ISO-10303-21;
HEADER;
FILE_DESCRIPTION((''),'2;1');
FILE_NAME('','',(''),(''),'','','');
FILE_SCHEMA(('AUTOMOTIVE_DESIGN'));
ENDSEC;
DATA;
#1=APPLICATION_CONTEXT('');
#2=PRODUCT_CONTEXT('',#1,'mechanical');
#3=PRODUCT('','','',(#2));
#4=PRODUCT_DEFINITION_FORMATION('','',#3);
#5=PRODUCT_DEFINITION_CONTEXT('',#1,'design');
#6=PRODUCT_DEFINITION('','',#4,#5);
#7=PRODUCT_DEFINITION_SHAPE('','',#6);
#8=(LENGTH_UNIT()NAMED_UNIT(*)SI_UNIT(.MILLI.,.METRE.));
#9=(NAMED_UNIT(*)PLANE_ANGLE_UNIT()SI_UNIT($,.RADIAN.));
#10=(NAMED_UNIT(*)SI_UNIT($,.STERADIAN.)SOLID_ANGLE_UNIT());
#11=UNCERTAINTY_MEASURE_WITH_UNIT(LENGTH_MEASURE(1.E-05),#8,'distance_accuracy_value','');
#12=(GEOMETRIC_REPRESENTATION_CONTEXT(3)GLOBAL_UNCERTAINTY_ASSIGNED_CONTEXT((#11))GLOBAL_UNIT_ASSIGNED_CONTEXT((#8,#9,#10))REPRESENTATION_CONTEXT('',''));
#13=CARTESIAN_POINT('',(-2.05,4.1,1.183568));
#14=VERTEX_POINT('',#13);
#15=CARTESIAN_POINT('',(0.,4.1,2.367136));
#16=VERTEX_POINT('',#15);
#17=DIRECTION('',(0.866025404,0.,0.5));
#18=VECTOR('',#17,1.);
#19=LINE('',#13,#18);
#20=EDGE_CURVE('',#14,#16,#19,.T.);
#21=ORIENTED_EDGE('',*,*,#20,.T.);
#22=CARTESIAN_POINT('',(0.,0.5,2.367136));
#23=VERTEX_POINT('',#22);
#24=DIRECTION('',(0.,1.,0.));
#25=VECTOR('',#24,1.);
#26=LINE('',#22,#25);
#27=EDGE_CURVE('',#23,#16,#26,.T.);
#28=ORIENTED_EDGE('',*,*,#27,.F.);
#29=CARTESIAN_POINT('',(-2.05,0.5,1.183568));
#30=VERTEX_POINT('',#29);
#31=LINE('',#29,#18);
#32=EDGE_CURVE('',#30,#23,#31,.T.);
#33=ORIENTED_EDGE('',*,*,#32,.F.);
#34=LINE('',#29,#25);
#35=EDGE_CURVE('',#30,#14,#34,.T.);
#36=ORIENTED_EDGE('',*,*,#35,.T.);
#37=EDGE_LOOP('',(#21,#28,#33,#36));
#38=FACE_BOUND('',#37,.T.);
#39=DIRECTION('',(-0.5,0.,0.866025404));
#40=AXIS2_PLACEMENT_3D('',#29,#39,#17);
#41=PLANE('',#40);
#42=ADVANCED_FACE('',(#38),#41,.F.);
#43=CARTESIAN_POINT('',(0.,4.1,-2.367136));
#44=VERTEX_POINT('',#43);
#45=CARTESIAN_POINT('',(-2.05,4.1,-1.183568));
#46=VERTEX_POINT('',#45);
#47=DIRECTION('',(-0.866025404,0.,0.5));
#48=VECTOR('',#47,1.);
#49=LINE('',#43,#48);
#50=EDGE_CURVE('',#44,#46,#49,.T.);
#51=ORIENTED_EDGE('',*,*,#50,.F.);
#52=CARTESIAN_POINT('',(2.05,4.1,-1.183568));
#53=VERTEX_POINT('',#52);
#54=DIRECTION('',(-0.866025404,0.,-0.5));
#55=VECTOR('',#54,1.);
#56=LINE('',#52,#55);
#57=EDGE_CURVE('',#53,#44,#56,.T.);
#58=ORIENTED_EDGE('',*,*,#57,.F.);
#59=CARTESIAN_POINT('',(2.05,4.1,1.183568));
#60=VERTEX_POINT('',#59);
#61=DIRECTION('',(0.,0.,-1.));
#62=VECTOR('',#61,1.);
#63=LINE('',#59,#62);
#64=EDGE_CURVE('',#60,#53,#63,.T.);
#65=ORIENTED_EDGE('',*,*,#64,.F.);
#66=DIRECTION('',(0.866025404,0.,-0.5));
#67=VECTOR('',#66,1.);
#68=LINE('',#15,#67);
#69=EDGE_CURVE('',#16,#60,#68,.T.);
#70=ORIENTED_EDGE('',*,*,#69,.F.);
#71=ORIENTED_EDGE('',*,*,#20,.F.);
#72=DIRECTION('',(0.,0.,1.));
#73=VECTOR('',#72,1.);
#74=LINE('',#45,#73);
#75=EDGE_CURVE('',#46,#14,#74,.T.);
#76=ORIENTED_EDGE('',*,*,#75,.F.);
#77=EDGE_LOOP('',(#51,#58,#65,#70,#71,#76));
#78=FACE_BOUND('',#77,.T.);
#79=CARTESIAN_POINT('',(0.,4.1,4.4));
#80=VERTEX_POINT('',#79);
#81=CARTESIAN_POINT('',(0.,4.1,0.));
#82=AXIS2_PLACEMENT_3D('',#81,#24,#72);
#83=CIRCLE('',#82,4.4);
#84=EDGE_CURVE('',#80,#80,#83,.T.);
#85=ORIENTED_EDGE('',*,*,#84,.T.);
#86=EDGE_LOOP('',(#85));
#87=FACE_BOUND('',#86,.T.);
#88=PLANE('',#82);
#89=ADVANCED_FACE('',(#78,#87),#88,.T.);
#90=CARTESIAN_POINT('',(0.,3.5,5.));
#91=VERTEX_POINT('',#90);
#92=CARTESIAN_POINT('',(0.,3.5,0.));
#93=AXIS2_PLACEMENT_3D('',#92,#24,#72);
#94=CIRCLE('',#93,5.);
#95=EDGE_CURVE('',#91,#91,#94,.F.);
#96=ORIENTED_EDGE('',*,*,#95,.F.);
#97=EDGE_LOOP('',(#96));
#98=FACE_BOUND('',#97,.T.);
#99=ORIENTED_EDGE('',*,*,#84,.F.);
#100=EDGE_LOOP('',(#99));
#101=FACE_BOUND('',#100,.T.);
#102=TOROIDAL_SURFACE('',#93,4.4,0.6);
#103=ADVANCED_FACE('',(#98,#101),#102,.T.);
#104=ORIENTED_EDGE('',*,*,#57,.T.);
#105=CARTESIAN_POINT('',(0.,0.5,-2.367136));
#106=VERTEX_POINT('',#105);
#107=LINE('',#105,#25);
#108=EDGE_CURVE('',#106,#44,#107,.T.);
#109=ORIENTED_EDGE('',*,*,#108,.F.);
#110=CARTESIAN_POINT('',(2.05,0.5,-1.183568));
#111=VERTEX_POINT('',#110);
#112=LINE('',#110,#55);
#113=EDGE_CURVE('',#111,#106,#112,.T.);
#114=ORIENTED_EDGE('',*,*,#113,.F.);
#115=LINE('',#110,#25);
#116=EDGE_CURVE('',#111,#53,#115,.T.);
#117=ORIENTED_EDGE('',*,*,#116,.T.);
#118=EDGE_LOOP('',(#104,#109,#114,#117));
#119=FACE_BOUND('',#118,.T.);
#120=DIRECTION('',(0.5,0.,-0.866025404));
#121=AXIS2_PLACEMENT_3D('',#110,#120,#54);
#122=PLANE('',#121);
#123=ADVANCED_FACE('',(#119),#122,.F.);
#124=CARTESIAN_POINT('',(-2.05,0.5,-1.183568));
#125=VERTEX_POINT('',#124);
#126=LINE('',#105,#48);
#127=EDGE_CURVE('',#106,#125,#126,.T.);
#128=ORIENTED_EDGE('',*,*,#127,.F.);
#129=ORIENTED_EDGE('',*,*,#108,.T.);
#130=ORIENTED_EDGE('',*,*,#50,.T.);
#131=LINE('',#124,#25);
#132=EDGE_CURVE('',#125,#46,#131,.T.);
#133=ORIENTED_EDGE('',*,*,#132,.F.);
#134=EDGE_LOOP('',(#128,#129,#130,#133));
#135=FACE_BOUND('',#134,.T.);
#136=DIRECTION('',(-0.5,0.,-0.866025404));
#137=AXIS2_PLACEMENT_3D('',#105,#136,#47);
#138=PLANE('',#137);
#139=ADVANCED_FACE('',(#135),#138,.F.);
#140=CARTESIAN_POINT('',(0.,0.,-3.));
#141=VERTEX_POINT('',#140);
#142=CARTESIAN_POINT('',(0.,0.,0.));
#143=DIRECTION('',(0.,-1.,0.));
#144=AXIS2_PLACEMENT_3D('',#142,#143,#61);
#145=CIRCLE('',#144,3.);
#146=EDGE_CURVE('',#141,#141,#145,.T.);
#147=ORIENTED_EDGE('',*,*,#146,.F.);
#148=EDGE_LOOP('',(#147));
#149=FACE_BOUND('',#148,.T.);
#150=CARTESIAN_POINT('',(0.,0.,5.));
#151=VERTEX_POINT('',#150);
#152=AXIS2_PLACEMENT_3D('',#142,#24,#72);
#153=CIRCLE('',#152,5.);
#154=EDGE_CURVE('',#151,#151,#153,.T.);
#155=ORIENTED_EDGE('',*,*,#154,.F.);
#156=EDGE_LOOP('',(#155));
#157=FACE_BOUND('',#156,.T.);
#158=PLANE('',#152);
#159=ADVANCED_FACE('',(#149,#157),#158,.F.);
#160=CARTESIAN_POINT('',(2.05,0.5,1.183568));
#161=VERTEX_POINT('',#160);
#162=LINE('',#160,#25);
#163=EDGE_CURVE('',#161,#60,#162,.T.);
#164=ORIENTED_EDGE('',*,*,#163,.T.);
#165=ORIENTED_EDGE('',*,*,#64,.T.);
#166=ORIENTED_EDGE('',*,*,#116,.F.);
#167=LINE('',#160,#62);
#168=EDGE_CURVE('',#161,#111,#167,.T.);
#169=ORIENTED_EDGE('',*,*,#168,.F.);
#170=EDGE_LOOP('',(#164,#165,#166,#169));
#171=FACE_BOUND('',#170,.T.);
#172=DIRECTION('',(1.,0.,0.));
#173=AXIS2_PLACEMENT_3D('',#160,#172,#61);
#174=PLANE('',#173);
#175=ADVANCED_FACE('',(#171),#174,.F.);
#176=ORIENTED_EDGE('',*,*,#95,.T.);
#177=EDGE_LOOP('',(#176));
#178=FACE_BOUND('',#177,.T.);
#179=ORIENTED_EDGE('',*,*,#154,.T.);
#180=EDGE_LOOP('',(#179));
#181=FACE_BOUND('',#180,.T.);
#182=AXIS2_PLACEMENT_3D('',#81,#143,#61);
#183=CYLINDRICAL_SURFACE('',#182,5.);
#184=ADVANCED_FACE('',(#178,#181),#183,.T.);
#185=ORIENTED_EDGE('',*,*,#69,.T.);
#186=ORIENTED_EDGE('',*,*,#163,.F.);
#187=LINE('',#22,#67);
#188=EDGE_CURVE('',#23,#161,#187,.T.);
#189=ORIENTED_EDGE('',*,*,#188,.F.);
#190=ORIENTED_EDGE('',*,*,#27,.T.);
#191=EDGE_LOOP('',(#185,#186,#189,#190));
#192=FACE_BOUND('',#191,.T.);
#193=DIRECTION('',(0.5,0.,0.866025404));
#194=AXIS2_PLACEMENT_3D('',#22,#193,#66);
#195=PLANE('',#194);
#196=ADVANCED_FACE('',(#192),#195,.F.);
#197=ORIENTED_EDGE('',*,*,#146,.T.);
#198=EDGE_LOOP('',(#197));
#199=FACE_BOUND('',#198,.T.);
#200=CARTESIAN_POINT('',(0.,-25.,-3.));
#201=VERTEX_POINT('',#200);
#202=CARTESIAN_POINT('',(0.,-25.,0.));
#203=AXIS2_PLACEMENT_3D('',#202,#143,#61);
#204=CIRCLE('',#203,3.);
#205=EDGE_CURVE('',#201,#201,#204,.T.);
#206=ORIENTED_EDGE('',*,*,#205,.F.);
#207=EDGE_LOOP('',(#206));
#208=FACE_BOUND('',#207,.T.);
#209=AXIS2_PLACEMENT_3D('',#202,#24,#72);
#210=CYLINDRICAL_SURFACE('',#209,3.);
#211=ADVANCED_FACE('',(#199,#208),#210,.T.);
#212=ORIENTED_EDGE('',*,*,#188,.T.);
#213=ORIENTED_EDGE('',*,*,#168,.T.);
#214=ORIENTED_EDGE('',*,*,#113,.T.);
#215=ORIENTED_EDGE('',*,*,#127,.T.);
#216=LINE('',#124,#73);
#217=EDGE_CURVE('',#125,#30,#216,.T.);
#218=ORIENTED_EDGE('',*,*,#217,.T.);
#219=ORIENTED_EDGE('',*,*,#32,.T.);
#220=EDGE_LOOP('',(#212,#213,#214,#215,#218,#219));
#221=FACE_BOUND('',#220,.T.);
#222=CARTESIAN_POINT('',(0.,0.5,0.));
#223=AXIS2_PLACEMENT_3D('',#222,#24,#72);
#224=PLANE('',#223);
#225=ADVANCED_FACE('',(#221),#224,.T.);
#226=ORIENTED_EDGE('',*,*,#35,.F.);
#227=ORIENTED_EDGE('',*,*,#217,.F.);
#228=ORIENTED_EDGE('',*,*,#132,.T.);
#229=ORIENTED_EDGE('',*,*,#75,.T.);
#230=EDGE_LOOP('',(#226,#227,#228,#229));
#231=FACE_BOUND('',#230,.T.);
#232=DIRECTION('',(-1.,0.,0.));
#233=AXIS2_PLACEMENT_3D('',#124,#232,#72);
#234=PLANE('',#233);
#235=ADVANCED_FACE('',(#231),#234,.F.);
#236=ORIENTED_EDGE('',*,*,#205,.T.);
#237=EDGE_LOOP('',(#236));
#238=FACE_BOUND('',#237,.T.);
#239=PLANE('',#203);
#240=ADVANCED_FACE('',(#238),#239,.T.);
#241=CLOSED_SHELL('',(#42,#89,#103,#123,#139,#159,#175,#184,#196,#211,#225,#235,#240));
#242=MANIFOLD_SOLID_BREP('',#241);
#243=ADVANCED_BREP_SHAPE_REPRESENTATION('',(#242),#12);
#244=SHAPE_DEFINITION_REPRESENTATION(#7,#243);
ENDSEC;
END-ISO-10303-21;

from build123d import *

# Parameters (mm, degrees)
SKETCH1_R           = 5
BOSS_EXTRUDE1_DEPTH = 4.1
FILLET1_R           = 0.6
CUT_EXTRUDE1_DEPTH  = 3.6
SKETCH3_R           = 3
BOSS_EXTRUDE2_DEPTH = 25


with BuildPart() as part:
    # Sketch1 → Boss-Extrude1 (new body)
    with BuildSketch(Plane(origin=(0, 0, 0), x_dir=(1, 0, 0), z_dir=(0, 1, 0))):
        with Locations(Location((0, 0, 0), (0, 0, 270))):
            Circle(SKETCH1_R)
    extrude(amount=BOSS_EXTRUDE1_DEPTH)

    # Fillet1
    fillet1_edges = [part.edges().sort_by_distance(p)[0] for p in [
        (0, 4.1, -5),
    ]]
    fillet(fillet1_edges, radius=FILLET1_R)

    # Sketch2 → Cut-Extrude1 (cut)
    with BuildSketch(Plane(origin=(0, 4.1, 0), x_dir=(1, 0, 0), z_dir=(0, 1, 0))):
        Polygon((0, -2.367136104), (2.05, -1.183568052), (2.05, 1.183568052), (0, 2.367136104), (-2.05, 1.183568052), (-2.05, -1.183568052), align=None)
    extrude(amount=-CUT_EXTRUDE1_DEPTH, mode=Mode.SUBTRACT)

    # Sketch3 → Boss-Extrude2 (add)
    with BuildSketch(Plane.XZ):
        with Locations(Location((0, 0, 0), (0, 0, 270))):
            Circle(SKETCH3_R)
    extrude(amount=BOSS_EXTRUDE2_DEPTH)


solid = part.part
